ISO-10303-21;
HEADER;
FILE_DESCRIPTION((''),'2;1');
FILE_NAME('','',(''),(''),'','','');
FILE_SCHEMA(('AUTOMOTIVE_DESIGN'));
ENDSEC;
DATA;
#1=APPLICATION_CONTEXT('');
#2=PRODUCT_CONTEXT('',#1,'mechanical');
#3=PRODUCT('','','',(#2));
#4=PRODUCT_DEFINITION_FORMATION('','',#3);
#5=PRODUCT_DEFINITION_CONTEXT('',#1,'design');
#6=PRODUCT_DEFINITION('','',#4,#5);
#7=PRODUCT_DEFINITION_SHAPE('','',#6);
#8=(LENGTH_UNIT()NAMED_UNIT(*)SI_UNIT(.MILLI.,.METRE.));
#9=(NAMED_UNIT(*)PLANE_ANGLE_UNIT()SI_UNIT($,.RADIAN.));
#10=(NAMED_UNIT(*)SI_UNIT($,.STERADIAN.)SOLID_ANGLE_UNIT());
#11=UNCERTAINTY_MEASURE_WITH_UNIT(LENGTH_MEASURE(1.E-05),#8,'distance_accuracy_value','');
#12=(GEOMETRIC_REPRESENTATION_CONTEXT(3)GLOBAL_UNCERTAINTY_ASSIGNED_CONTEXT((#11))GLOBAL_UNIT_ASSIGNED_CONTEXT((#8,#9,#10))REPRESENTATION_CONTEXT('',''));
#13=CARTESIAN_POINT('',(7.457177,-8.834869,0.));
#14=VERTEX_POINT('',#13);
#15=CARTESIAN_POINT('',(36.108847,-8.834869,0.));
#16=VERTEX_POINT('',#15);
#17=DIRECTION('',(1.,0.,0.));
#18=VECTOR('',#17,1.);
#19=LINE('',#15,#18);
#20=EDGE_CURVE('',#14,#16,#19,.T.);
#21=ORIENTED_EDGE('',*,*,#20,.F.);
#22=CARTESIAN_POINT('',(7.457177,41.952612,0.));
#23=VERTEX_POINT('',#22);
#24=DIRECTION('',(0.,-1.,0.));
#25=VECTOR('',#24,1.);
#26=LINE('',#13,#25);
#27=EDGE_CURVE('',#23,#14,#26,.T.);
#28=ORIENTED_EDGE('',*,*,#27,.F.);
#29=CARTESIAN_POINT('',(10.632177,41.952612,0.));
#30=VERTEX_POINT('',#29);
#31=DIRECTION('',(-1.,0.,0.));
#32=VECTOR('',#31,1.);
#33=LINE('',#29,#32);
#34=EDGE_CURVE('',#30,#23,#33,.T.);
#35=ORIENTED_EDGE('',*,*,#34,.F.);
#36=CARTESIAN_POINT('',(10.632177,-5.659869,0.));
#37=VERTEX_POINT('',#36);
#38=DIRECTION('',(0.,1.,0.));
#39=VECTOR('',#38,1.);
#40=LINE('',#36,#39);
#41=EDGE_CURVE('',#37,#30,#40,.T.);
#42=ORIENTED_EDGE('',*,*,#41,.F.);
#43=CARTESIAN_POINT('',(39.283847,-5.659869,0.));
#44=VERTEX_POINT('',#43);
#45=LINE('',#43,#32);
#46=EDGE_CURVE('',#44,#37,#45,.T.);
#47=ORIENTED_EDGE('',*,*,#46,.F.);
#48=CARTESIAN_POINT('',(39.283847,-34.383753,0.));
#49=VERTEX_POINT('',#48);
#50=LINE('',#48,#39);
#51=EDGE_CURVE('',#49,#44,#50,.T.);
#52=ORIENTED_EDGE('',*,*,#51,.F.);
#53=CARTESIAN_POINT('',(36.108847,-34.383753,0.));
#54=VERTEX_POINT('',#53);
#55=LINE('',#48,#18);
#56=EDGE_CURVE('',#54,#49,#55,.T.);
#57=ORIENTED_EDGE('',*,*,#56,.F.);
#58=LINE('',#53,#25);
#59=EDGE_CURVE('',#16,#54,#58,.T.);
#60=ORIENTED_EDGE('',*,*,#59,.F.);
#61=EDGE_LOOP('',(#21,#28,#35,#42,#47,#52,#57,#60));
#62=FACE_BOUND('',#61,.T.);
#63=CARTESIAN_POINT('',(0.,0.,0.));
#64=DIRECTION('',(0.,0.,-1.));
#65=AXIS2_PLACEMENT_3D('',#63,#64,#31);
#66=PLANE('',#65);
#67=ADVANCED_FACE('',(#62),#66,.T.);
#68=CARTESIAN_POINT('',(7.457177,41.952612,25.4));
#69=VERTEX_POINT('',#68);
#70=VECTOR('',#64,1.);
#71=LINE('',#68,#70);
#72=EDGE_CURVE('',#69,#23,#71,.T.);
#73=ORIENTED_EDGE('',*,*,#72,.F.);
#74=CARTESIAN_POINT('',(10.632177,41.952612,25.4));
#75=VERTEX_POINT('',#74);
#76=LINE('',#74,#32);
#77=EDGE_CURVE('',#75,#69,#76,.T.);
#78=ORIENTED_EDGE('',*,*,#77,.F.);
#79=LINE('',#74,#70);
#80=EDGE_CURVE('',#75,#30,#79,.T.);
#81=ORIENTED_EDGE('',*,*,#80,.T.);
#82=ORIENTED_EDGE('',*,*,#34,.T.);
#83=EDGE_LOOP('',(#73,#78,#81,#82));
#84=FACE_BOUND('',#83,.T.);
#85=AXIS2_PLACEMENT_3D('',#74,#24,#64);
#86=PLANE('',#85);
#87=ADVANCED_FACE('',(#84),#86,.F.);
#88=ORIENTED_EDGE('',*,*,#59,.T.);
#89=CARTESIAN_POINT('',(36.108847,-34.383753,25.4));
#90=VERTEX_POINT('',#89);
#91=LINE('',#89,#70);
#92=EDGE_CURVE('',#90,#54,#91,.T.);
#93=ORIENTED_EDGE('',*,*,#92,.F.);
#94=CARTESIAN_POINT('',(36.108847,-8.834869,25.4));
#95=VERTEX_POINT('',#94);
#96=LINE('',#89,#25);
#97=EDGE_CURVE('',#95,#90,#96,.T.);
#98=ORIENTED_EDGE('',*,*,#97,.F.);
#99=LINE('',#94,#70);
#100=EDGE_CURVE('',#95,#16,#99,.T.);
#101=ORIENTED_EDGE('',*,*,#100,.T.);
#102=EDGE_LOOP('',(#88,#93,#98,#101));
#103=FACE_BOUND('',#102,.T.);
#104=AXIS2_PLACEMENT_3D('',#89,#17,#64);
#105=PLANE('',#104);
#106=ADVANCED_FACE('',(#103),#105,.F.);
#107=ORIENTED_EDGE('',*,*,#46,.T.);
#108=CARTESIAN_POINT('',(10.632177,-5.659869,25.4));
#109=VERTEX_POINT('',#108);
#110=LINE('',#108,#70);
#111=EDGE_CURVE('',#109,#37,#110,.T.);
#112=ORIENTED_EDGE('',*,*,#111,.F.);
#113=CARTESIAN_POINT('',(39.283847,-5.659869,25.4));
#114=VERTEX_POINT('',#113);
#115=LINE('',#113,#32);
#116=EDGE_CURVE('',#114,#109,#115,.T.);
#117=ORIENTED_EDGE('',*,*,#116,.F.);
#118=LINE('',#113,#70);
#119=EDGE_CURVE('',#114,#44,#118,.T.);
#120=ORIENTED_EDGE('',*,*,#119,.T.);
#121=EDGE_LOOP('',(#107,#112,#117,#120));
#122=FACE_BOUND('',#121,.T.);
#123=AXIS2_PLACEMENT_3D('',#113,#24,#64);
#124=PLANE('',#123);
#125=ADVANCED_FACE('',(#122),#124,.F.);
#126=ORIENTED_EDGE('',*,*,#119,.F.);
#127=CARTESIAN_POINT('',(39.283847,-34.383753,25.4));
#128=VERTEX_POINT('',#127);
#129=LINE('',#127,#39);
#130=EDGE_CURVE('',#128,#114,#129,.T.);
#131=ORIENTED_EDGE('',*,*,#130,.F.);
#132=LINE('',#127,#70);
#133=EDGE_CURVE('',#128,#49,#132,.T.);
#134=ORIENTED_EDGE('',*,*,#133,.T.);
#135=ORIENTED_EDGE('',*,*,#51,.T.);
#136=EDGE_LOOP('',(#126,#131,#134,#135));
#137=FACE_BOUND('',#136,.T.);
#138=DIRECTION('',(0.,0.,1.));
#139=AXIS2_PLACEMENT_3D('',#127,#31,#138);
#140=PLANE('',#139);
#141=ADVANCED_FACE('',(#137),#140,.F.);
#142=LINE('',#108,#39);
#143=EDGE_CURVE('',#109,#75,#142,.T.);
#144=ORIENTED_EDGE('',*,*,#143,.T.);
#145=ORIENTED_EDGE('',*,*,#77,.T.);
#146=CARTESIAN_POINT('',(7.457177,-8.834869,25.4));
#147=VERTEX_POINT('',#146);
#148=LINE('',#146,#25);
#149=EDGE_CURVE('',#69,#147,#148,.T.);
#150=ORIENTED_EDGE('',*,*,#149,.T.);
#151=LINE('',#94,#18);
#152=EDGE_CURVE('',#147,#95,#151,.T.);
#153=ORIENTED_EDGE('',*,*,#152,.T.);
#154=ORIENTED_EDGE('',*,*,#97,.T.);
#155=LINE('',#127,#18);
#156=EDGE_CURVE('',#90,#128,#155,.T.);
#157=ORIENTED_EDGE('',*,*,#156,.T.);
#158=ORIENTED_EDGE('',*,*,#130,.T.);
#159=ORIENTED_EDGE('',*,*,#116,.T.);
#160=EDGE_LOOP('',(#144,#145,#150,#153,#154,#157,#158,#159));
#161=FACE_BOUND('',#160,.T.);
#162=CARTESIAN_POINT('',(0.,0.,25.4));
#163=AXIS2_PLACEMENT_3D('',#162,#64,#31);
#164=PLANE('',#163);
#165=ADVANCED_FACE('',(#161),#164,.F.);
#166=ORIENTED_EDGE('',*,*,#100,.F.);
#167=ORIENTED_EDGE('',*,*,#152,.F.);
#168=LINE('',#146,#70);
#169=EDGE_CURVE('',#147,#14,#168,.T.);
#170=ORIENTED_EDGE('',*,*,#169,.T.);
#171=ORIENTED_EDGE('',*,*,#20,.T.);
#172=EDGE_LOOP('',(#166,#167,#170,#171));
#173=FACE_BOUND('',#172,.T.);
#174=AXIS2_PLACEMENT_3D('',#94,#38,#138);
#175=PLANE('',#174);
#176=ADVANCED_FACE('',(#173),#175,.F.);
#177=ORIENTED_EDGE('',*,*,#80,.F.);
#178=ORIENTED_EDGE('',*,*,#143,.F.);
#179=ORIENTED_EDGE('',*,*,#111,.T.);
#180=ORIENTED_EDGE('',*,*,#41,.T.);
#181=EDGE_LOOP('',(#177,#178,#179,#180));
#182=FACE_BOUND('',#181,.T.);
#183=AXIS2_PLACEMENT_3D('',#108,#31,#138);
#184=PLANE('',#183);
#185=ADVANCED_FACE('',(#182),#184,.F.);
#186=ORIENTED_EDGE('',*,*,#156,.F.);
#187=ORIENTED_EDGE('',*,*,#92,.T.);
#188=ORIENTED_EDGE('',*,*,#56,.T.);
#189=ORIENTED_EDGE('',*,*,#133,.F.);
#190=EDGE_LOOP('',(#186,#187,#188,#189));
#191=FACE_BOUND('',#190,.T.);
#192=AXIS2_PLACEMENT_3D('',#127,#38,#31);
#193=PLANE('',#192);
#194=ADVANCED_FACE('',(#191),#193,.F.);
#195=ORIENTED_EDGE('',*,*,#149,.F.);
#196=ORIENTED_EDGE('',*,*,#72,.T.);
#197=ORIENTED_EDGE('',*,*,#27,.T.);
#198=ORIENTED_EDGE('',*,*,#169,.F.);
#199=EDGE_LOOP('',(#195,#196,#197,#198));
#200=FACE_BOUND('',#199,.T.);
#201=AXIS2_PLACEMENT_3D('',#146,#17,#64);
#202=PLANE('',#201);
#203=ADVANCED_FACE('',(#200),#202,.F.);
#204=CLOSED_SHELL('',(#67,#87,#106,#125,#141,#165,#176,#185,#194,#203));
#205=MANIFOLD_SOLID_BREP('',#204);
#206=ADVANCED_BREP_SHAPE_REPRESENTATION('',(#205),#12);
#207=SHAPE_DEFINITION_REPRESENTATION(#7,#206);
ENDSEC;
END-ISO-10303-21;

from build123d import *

# Parameters (mm, degrees)
BOSS_EXTRUDE1_DEPTH = 25.4


with BuildPart() as part:
    # Sketch1 → Boss-Extrude1 (new body)
    with BuildSketch(Plane.XY):
        Polygon((39.283846791, -34.38375344), (39.283846791, -5.659868516), (10.632177225, -5.659868516), (10.632177225, 41.952612442), (7.457177225, 41.952612442), (7.457177225, -8.834868516), (36.108846791, -8.834868516), (36.108846791, -34.38375344), align=None)
    extrude(amount=BOSS_EXTRUDE1_DEPTH)


solid = part.part
